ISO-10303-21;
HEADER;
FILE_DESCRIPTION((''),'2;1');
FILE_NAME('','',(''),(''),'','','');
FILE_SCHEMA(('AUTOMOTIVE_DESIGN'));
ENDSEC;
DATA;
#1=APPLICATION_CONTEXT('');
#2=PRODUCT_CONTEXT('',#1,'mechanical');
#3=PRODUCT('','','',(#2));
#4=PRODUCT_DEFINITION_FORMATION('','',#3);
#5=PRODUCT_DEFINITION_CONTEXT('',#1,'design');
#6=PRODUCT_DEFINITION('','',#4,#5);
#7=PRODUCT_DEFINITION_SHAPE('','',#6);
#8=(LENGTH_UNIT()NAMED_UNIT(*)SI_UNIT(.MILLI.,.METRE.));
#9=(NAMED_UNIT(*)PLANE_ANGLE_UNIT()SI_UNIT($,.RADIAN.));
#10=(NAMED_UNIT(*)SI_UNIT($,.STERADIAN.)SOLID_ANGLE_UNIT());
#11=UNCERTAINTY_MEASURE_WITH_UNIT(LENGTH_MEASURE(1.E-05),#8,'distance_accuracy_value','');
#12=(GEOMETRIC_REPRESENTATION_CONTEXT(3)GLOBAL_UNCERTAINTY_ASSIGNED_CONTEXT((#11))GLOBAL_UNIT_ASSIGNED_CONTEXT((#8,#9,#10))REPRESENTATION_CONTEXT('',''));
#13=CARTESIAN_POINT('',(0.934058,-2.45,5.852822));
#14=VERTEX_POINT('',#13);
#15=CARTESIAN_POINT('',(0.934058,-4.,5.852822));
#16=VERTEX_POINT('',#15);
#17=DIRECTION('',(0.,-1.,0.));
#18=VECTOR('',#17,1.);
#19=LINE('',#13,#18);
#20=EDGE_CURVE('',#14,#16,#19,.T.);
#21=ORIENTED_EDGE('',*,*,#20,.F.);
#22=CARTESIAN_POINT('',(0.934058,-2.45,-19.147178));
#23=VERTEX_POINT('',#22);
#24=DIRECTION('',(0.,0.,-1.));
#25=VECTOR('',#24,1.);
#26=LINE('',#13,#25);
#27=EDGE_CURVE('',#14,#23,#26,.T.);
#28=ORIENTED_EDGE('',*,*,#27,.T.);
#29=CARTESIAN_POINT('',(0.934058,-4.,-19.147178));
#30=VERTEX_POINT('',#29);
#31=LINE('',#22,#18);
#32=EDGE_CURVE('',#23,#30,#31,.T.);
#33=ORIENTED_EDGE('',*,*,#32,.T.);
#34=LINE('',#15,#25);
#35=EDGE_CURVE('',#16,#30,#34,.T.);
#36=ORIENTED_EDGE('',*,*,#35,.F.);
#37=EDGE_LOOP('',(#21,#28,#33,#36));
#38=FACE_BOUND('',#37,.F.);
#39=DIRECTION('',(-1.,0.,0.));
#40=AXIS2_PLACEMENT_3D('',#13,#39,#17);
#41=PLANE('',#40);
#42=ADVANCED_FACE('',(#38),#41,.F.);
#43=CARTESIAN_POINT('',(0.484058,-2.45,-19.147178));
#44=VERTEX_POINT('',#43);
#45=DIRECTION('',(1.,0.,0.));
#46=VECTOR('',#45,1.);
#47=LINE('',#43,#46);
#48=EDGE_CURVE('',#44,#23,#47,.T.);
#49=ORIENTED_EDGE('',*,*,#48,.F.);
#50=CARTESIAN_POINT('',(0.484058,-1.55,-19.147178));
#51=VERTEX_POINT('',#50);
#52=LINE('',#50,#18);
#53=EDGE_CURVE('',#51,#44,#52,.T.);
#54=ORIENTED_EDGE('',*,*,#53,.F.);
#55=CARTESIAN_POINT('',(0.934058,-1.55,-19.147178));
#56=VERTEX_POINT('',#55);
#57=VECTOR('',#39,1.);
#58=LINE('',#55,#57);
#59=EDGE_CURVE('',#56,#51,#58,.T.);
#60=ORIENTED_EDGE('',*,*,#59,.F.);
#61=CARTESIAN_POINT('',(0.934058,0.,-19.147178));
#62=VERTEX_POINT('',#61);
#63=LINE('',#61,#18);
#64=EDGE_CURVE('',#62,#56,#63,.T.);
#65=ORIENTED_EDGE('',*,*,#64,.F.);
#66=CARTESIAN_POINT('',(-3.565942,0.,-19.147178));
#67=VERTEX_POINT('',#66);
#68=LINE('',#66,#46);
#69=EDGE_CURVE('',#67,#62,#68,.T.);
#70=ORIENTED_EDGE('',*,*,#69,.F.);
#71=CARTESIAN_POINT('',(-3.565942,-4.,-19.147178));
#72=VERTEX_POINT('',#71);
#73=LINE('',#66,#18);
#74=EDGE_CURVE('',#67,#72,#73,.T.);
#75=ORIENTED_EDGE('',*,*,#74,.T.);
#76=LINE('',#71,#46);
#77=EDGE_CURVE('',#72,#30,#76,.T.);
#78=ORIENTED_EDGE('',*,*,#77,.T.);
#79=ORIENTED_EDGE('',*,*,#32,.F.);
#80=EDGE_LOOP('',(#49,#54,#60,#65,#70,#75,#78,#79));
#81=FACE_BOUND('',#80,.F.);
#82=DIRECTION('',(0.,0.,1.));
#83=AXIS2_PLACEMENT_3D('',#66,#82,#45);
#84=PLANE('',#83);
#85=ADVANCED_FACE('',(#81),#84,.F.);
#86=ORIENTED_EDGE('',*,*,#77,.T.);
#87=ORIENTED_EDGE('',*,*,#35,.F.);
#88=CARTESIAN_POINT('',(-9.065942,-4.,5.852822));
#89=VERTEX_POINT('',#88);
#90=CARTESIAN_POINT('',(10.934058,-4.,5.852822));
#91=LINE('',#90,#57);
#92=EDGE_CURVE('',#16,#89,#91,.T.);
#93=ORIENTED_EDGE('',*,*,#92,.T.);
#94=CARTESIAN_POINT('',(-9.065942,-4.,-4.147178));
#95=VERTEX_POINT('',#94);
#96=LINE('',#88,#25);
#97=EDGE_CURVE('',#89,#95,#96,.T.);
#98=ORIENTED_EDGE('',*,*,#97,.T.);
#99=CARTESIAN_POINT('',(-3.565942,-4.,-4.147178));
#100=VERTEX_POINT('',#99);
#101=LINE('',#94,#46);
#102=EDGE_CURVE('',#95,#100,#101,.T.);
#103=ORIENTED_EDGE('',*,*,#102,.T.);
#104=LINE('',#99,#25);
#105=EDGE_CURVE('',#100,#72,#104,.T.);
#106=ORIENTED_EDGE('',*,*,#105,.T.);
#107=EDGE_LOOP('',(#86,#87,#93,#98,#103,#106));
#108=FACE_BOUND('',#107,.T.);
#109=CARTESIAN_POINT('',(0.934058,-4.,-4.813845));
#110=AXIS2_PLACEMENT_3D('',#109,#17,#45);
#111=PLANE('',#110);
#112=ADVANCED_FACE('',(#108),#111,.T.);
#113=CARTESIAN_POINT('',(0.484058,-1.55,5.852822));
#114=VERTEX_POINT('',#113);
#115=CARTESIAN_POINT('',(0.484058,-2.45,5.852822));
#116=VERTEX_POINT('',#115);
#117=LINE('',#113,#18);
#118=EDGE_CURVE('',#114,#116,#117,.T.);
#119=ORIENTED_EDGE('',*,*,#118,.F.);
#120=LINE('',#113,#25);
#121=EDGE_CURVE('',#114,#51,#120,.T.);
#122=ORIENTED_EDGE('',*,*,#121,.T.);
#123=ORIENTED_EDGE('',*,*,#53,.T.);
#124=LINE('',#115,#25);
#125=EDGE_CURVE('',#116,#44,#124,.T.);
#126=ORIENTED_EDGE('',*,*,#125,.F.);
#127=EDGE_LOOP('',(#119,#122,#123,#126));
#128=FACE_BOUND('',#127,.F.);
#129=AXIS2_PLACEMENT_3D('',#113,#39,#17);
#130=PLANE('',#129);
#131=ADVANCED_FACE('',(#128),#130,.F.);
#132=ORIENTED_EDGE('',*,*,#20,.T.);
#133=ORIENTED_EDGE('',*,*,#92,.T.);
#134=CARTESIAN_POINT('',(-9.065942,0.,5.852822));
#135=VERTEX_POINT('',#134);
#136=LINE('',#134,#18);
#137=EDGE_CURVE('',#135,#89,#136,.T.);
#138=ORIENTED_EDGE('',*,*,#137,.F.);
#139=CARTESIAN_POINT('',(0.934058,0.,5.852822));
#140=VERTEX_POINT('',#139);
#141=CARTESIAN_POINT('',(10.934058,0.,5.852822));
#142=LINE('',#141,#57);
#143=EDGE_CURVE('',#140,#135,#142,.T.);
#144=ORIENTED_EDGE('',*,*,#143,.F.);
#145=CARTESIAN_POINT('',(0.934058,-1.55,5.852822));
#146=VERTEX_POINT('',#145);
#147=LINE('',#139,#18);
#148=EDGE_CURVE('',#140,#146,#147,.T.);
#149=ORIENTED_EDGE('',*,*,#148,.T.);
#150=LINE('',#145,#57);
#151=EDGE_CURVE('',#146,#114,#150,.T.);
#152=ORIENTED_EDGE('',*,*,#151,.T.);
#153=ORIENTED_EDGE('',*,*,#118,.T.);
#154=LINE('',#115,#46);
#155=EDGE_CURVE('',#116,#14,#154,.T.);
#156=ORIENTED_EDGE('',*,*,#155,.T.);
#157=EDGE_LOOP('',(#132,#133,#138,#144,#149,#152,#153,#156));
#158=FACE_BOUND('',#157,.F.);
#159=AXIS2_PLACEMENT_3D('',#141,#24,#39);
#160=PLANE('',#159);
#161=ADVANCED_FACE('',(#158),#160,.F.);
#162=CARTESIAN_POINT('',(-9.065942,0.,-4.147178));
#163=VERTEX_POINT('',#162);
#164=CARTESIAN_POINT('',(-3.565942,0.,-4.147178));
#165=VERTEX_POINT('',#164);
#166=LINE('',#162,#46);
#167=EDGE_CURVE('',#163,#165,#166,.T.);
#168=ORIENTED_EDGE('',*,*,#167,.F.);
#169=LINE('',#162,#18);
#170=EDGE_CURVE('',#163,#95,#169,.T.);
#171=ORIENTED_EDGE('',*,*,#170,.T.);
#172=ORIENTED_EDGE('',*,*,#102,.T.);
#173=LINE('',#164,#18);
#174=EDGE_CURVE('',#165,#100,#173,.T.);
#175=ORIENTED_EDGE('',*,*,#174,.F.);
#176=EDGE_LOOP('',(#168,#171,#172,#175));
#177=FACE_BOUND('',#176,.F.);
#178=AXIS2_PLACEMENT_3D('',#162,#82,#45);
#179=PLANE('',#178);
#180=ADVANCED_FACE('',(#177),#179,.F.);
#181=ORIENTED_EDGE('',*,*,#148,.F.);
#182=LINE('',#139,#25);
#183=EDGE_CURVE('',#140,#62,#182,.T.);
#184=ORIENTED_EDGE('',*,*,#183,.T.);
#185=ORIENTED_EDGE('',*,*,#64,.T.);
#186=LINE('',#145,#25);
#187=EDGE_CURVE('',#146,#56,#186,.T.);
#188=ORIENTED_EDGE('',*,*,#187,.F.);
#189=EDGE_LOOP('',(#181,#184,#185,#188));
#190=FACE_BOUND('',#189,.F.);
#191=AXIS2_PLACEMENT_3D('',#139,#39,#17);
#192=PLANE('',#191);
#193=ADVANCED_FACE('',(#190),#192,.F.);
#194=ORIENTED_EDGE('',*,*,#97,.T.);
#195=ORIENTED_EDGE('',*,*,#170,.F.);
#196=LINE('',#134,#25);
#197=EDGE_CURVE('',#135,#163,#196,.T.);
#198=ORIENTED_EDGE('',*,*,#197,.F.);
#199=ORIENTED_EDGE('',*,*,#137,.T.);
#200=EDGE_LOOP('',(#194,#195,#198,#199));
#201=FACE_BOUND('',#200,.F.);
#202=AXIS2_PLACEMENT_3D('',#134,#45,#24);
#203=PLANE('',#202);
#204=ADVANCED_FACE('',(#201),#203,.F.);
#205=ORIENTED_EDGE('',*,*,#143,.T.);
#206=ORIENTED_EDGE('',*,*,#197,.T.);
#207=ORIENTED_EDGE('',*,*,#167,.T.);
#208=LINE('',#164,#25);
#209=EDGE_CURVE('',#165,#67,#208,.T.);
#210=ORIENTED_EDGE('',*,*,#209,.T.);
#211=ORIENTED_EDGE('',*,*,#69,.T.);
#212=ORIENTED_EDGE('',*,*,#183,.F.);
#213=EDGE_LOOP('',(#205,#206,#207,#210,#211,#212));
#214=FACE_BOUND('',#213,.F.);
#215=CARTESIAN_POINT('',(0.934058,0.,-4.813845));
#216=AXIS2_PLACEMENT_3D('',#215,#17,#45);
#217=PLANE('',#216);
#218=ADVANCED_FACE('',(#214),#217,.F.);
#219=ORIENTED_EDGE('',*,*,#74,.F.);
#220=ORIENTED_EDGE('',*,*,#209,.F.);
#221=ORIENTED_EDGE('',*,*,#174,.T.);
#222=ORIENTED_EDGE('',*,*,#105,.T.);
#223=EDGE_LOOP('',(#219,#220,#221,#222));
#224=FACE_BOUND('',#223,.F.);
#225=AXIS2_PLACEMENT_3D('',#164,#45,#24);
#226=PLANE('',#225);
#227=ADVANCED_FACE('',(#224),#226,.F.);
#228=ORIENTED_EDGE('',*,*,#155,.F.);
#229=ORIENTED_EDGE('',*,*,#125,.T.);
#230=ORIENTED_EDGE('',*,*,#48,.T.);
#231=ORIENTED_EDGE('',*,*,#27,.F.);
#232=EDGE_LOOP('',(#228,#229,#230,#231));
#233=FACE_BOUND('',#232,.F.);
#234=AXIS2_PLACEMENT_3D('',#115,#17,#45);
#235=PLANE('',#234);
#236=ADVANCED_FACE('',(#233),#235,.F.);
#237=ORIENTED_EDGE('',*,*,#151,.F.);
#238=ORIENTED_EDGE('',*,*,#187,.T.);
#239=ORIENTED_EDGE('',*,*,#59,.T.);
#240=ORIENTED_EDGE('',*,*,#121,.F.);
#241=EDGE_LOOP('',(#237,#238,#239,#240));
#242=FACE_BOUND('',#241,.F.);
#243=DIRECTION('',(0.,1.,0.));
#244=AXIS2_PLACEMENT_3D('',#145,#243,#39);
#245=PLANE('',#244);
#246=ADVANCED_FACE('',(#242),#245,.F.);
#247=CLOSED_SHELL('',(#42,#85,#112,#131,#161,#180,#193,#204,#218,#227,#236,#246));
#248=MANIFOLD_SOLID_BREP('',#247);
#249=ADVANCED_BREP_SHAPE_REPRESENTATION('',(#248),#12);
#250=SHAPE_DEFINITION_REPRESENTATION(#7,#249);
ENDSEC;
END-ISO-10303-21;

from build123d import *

# Parameters (mm, degrees)
F1_DEPTH = 4
F3_DEPTH = 25


with BuildPart() as f1:
    # F0 (on Front) → F1 (new body)
    with BuildSketch(Plane.XZ):
        Polygon((10.934058, -4.147178), (10.934058, 5.852822), (2.934058, 5.852822), (-1.065942, 5.852822), (-9.065942, 5.852822), (-9.065942, -4.147178), (-3.565942, -4.147178), (-3.565942, -19.147178), (5.434058, -19.147178), (5.434058, -4.147178), align=None)
    extrude(amount=F1_DEPTH)

    # F2 (on face) → F3 (cut)
    with BuildSketch(Plane.XY.offset(5.852822)):
        Polygon((10.934058, -4), (10.934058, 0), (0.934058, 0), (0.934058, -1.55), (0.484058, -1.55), (0.484058, -2.45), (0.934058, -2.45), (0.934058, -4), align=None)
    extrude(amount=-F3_DEPTH, mode=Mode.SUBTRACT)


solid = f1.part
